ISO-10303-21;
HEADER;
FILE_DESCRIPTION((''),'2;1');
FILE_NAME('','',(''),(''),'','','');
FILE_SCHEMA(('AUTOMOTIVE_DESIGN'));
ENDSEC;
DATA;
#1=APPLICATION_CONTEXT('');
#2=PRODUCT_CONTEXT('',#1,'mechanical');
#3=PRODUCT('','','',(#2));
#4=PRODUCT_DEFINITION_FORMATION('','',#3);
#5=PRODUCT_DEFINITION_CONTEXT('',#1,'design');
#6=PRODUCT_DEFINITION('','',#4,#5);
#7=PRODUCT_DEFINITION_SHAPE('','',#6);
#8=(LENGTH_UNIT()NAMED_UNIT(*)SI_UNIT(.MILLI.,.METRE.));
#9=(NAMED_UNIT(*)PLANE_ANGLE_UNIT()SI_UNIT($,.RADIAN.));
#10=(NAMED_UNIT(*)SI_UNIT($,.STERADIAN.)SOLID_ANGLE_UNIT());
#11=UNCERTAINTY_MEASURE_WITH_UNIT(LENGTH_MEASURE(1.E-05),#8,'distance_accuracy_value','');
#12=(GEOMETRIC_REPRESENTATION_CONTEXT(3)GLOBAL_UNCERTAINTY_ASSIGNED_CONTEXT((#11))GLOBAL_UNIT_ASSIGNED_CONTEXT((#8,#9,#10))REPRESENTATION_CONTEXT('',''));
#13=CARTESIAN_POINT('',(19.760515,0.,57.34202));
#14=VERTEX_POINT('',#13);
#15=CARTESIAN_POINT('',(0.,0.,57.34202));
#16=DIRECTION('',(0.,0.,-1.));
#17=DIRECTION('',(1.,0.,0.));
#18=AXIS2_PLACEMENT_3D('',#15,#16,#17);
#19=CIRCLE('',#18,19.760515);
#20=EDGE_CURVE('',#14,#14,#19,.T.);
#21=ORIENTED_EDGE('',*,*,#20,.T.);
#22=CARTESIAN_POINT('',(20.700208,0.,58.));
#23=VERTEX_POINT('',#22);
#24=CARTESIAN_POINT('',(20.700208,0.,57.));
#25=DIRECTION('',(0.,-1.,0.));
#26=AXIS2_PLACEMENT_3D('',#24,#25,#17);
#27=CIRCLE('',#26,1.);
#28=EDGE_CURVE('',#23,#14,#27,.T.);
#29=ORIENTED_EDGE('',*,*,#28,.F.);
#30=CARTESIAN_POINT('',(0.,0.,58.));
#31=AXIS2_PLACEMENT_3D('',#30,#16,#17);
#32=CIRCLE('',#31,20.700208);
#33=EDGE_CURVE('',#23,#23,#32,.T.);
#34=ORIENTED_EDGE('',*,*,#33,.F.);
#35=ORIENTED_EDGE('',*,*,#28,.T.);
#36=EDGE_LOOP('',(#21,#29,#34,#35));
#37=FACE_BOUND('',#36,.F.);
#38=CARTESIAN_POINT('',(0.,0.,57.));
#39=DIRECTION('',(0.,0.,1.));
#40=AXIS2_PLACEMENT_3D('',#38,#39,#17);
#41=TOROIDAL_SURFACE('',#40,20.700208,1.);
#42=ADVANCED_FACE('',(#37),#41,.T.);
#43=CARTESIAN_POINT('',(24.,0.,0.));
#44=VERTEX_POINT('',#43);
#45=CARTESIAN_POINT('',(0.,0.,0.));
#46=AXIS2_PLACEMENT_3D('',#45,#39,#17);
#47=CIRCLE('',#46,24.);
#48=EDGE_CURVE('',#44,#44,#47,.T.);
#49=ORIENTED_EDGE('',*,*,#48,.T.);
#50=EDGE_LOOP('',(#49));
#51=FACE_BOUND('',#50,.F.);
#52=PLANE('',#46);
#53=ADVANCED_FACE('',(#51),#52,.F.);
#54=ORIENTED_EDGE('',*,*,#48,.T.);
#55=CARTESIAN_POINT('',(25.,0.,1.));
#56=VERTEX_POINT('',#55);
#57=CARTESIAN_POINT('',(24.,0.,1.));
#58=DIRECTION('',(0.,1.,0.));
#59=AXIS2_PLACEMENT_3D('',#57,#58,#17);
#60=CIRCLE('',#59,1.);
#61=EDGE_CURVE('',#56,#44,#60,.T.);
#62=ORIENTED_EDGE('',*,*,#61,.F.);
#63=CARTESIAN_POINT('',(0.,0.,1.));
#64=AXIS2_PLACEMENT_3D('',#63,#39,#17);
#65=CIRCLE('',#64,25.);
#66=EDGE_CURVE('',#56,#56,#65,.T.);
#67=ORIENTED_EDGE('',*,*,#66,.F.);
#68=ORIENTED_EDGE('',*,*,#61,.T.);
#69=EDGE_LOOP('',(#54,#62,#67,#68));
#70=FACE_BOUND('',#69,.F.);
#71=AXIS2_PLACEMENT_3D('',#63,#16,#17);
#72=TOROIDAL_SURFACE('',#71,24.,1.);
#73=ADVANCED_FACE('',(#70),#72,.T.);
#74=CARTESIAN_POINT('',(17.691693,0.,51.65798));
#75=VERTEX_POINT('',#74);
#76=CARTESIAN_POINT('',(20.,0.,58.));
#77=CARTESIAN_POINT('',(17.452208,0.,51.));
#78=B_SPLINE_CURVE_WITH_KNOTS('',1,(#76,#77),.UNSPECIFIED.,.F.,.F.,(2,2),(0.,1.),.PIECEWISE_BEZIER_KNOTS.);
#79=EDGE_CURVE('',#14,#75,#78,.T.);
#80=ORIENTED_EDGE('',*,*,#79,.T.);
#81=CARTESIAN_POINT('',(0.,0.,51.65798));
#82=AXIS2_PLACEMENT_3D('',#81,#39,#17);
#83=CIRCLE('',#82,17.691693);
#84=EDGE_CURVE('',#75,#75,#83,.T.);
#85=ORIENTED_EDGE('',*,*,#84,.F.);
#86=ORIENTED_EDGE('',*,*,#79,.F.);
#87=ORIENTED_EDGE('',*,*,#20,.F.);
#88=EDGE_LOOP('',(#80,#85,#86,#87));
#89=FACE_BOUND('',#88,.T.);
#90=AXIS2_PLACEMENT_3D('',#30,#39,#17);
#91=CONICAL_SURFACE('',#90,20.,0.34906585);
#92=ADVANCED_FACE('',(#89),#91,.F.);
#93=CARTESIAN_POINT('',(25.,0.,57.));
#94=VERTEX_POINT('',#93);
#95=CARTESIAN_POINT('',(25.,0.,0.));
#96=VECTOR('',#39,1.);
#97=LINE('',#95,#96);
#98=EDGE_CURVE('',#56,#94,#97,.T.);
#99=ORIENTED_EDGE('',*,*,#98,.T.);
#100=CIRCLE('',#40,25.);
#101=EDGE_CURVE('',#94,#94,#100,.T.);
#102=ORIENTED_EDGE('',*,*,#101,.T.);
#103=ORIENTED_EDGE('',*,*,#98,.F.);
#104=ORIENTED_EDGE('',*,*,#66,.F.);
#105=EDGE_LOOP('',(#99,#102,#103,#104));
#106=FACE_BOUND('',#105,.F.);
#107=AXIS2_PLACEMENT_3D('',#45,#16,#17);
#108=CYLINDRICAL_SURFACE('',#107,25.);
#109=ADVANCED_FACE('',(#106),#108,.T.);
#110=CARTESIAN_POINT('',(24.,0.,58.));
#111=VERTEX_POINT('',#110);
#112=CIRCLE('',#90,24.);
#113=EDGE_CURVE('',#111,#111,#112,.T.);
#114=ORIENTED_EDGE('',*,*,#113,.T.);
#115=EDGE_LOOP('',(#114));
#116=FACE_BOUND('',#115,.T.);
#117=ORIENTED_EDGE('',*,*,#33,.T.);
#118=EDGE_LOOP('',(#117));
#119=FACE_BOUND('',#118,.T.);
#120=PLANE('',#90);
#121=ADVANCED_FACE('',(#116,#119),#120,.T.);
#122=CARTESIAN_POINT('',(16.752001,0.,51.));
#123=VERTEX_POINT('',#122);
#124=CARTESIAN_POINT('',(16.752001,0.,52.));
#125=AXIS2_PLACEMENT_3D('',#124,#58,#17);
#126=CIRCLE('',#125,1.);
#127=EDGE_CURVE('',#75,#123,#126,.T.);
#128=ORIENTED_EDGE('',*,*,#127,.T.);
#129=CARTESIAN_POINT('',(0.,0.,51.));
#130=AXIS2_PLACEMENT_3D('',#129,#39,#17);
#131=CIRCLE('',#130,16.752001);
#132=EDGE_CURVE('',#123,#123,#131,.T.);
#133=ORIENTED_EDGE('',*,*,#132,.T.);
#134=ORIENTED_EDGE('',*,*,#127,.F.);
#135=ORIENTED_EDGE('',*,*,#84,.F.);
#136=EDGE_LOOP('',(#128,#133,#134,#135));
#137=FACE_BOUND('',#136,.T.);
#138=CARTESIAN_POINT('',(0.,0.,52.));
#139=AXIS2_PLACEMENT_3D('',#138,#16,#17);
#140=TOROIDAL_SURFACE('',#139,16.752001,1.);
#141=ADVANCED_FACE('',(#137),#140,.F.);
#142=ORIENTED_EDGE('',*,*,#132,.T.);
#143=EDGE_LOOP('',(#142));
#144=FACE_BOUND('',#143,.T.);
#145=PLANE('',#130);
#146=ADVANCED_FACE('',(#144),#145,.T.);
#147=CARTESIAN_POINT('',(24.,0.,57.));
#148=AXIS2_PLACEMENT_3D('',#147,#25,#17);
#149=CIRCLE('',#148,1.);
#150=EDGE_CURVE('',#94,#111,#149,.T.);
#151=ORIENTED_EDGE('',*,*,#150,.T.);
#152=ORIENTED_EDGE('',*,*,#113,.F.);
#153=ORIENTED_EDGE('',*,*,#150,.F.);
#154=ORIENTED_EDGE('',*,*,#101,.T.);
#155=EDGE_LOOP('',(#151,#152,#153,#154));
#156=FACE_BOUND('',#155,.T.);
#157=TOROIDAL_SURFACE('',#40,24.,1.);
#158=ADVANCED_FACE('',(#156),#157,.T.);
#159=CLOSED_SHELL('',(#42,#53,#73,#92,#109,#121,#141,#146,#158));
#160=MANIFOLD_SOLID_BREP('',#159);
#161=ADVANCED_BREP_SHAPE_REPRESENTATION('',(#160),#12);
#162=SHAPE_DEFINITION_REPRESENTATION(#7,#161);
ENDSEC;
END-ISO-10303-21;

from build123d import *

# Parameters (mm, degrees)
SKETCH_R     = 25
PAD_DEPTH    = 58
SKETCH001_R  = 20
POCKET_DEPTH = 7
POCKET_TAPER = 20
FILLET_R     = 1


with BuildPart() as part:
    # Sketch → Pad (new body)
    with BuildSketch(Plane.XY):
        Circle(SKETCH_R)
    extrude(amount=PAD_DEPTH)

    # Sketch001 → Pocket (cut)
    with BuildSketch(Plane.XY.offset(58)):
        Circle(SKETCH001_R)
    extrude(amount=-POCKET_DEPTH, taper=POCKET_TAPER, mode=Mode.SUBTRACT)

    # Fillet
    fillet_edges = [part.edges().sort_by_distance(p)[0] for p in [
        (-25, 0, 58),
        (-25, 0, 0),
        (-20, 0, 58),
        (-17.452208, 0, 51),
    ]]
    fillet(fillet_edges, radius=FILLET_R)


solid = part.part
